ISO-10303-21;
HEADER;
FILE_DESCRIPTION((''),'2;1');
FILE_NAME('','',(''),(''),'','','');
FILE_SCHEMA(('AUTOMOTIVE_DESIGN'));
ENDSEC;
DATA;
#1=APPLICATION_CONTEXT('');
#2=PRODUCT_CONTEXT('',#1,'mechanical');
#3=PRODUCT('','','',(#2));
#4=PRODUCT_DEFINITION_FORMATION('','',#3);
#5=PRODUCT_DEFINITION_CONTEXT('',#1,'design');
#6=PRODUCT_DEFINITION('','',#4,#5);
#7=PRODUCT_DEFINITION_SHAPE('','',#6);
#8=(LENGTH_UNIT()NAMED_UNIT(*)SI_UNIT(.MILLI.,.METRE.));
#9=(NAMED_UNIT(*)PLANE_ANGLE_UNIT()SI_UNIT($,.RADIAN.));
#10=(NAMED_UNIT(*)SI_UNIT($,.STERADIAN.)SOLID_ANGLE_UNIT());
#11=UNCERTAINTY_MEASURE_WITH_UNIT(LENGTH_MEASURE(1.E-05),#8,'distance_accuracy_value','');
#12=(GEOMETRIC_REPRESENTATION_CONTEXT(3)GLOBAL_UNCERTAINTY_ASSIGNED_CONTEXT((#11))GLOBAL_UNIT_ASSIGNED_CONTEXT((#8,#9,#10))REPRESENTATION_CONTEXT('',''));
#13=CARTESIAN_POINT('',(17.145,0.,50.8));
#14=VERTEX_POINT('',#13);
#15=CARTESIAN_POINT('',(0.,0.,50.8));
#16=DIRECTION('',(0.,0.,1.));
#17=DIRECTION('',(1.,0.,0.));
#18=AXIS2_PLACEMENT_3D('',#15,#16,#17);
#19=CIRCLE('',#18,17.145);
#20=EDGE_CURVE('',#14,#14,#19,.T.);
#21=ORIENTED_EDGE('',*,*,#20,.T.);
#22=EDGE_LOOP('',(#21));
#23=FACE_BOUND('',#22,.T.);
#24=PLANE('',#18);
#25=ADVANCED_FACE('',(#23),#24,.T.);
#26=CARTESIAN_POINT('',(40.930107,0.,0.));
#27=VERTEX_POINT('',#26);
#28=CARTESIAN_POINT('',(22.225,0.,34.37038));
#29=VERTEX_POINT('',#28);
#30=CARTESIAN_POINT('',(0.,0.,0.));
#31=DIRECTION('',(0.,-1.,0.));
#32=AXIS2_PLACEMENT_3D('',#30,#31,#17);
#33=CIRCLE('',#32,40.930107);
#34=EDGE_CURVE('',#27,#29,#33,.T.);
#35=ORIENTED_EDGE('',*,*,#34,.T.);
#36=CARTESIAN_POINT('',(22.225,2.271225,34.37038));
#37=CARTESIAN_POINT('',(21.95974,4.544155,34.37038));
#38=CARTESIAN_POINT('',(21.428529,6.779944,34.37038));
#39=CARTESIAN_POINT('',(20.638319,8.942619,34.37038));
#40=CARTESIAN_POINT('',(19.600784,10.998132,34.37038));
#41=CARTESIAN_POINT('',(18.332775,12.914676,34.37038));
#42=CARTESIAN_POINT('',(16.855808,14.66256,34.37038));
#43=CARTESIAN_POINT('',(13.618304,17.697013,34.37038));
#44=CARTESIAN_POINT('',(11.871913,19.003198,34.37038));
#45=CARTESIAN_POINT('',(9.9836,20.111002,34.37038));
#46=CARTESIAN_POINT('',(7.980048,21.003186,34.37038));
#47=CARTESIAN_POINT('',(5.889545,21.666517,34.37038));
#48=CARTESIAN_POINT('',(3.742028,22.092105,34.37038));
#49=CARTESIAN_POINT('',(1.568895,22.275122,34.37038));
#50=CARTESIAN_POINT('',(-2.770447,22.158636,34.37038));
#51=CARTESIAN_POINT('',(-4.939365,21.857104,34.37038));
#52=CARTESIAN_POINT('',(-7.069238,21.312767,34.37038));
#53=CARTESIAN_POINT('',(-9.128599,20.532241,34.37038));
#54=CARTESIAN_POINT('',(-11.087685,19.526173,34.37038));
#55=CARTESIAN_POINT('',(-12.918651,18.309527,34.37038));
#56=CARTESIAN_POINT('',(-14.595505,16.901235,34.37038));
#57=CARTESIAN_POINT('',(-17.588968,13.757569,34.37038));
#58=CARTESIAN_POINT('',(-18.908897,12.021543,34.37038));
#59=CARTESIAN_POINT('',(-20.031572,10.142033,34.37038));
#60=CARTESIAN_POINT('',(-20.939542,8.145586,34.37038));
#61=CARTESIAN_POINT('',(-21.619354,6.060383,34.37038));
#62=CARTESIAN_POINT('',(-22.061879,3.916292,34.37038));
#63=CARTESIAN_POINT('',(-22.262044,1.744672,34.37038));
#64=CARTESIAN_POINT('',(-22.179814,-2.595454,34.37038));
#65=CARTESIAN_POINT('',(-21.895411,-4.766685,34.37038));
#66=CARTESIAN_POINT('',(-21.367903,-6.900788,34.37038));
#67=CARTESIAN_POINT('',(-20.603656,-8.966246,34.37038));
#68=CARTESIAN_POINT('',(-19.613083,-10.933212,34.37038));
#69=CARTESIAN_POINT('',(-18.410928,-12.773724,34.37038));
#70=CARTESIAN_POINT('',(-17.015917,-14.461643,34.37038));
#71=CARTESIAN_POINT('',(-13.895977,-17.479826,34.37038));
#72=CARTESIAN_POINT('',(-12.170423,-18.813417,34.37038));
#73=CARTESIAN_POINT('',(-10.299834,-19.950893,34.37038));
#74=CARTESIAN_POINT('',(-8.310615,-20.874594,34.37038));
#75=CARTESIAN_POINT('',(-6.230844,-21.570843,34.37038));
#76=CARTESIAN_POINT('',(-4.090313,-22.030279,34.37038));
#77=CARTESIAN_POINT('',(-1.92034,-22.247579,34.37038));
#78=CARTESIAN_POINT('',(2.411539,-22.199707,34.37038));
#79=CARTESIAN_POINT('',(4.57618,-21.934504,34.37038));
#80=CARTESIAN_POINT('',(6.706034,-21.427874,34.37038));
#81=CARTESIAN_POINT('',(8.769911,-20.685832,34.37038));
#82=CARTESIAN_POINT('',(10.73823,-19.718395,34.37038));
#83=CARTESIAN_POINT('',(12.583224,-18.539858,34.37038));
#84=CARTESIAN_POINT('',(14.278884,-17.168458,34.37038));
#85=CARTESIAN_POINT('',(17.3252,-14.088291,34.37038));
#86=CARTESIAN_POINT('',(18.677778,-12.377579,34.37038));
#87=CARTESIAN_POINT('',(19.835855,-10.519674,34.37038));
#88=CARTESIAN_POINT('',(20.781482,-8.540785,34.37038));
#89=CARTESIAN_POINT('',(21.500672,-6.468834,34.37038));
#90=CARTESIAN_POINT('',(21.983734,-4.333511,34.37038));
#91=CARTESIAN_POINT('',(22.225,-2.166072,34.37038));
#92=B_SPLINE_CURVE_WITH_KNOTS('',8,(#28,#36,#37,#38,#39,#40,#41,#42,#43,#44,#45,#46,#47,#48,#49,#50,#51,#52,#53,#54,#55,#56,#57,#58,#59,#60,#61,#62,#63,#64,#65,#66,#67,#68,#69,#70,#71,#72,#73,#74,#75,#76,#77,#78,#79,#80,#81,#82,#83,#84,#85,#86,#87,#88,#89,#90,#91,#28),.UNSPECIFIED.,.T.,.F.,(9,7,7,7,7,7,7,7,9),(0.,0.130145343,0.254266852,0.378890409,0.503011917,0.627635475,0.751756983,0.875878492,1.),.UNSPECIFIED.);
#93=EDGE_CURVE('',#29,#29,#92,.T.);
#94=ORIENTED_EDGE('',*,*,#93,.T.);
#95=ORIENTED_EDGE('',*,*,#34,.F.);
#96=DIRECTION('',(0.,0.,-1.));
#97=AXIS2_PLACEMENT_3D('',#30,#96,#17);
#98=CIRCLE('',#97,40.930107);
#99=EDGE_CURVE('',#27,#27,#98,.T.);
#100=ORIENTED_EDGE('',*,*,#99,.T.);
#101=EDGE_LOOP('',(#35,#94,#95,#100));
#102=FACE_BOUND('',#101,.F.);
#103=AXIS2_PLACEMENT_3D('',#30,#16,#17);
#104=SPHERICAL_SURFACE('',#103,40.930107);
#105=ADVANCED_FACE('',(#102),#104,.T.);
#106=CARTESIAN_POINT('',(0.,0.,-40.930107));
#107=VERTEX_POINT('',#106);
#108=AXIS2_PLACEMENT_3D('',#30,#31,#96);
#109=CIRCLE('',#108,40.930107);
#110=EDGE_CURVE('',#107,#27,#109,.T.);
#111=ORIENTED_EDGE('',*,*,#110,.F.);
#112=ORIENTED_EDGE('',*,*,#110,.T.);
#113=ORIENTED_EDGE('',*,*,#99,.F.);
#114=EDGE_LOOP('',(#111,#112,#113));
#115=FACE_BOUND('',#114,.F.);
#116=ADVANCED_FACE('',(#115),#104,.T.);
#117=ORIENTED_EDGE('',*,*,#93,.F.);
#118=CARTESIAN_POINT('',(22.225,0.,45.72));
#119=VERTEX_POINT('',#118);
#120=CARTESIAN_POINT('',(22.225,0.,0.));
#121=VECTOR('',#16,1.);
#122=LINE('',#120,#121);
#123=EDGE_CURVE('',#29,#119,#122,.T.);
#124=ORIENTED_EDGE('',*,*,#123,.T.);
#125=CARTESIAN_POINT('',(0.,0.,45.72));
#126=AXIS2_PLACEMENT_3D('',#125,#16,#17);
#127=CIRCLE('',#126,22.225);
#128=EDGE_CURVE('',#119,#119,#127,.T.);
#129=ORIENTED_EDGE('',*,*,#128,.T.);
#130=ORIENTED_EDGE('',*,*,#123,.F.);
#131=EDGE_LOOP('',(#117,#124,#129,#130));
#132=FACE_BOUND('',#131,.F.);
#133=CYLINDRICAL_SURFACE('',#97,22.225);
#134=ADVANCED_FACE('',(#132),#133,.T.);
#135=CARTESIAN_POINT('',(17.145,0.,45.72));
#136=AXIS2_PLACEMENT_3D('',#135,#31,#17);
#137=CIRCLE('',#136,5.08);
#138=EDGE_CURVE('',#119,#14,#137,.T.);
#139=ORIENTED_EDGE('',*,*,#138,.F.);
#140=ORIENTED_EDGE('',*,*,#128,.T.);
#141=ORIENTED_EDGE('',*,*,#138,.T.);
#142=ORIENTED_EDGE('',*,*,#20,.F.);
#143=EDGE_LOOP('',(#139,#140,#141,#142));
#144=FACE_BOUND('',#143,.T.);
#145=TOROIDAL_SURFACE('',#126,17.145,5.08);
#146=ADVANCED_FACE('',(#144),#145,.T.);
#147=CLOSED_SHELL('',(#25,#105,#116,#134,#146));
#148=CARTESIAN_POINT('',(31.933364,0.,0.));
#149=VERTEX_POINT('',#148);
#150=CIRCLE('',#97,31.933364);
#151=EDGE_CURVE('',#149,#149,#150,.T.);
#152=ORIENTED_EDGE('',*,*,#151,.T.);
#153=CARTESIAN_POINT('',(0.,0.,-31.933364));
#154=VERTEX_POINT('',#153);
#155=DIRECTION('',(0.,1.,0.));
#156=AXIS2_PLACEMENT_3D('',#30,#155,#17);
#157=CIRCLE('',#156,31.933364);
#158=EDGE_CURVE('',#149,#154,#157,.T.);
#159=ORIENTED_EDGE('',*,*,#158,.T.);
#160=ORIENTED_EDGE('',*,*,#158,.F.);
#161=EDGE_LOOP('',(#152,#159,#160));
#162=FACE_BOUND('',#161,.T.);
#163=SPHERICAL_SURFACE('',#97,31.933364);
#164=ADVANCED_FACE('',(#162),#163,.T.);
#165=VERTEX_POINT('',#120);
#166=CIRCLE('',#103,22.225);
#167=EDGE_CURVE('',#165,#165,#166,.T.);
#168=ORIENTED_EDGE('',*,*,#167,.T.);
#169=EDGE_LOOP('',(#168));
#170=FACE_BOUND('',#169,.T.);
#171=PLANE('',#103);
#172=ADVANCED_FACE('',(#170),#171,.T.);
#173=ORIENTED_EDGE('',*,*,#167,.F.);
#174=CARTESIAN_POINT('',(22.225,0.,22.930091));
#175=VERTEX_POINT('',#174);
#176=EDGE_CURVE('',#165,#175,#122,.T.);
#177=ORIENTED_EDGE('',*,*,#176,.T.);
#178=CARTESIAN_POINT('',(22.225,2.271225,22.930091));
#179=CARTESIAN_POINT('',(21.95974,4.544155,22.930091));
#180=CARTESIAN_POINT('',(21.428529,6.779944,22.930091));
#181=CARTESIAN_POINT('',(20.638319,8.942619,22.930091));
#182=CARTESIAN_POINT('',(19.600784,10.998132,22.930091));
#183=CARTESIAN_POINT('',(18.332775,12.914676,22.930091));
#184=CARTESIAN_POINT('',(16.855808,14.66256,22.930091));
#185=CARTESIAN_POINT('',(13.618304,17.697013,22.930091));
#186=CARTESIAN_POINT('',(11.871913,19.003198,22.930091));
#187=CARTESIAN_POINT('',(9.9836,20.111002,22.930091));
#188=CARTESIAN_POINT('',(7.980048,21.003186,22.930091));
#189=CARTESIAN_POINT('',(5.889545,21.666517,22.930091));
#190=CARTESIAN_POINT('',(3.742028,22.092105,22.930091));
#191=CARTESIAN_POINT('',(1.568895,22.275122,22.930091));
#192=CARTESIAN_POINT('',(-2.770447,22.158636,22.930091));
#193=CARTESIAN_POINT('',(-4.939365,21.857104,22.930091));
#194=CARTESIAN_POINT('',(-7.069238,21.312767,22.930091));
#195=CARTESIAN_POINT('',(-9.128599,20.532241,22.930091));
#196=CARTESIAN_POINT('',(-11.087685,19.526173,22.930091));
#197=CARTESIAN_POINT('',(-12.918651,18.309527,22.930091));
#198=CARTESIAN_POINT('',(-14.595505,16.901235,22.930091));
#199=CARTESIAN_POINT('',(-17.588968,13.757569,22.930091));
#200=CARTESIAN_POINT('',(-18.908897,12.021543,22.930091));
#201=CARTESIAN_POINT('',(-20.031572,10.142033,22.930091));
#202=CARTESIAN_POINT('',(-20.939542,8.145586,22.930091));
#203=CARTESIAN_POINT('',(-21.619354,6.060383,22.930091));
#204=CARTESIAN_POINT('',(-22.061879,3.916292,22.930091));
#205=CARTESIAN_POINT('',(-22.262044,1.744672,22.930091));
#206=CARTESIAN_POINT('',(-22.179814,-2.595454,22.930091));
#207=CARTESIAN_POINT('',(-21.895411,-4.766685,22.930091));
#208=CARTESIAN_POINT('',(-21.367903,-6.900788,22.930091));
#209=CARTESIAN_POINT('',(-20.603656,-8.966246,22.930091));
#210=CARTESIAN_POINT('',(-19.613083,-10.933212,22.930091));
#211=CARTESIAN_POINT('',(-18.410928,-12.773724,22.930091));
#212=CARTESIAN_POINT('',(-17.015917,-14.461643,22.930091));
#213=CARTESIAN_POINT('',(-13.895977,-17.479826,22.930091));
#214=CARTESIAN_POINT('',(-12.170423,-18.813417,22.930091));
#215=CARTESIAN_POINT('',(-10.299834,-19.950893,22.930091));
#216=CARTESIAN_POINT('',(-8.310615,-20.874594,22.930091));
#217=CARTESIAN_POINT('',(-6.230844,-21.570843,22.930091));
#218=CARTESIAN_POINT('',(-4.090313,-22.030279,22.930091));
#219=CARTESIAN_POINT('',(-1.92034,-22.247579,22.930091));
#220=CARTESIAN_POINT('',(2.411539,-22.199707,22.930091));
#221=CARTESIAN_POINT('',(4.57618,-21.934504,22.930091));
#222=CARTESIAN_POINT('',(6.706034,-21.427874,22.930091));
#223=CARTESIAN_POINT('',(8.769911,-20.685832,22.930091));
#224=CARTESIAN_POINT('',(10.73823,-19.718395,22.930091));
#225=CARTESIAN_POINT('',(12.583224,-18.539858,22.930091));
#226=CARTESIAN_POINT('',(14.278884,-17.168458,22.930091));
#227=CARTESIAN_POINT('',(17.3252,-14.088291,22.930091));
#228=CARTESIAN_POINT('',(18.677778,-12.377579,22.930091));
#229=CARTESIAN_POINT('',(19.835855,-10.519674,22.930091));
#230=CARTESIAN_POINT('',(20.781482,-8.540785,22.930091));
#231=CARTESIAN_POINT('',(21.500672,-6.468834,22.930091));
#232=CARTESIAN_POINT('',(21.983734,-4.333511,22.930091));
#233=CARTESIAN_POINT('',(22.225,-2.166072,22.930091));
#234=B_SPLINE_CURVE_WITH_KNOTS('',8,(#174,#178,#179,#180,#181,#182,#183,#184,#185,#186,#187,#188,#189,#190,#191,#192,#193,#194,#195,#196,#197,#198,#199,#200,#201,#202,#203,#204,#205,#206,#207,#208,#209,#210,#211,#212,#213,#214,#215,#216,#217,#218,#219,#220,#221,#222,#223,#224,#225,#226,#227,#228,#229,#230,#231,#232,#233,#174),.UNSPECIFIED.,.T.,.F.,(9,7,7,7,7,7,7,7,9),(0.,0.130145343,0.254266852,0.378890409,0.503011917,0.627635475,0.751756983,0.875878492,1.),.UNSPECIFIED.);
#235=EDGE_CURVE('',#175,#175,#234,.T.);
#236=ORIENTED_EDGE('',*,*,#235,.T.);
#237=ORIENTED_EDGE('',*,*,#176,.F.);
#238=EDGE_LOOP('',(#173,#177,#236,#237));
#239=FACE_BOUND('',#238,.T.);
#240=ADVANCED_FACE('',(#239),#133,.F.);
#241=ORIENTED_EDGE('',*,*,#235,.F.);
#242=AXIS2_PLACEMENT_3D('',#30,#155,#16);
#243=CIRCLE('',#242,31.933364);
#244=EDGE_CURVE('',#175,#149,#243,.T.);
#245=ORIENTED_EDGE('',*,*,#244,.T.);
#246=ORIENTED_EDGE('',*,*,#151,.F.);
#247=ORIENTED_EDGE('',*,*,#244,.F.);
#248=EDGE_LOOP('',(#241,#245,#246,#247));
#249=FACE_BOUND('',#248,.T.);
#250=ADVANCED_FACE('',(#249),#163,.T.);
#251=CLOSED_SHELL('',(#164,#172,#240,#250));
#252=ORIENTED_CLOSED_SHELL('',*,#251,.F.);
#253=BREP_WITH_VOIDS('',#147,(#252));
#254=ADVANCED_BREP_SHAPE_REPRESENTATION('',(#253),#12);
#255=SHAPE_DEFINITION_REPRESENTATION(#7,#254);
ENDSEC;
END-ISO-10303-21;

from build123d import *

# Parameters (mm, degrees)
F2_R     = 22.225
F3_DEPTH = 50.8
F4_R     = 5.08


with BuildPart() as f1:
    # F0 (on Front) → F1 (revolve)
    with BuildSketch(Plane.XZ):
        with BuildLine():
            Line((0, -31.9333635271), (0, -40.9301067458))
            ThreePointArc((0, -40.9301067458), (28.9419560347, -28.9419560347), (40.9301067458, 0))
            Line((40.9301067458, 0), (31.9333635271, 0))
            ThreePointArc((31.9333635271, 0), (22.5802978961, -22.5802978961), (0, -31.9333635271))
        make_face()
        with BuildLine():
            Line((31.9333635271, 0), (40.9301067458, 0))
            ThreePointArc((40.9301067458, 0), (28.9419560347, 28.9419560347), (0, 40.9301067458))
            Line((0, 40.9301067458), (0, 31.9333635271))
            ThreePointArc((0, 31.9333635271), (22.5802978961, 22.5802978961), (31.9333635271, 0))
        make_face()
    revolve(axis=Axis((0, 0, 0), (0, 0, -1)))

    # F2 (on Top) → F3 (join)
    with BuildSketch(Plane.XY):
        Circle(F2_R)
    extrude(amount=F3_DEPTH)

    # F4
    f4_edges = [f1.edges().sort_by_distance(p)[0] for p in [
        (-22.225, 0, 50.8),
    ]]
    fillet(f4_edges, radius=F4_R)


solid = f1.part
